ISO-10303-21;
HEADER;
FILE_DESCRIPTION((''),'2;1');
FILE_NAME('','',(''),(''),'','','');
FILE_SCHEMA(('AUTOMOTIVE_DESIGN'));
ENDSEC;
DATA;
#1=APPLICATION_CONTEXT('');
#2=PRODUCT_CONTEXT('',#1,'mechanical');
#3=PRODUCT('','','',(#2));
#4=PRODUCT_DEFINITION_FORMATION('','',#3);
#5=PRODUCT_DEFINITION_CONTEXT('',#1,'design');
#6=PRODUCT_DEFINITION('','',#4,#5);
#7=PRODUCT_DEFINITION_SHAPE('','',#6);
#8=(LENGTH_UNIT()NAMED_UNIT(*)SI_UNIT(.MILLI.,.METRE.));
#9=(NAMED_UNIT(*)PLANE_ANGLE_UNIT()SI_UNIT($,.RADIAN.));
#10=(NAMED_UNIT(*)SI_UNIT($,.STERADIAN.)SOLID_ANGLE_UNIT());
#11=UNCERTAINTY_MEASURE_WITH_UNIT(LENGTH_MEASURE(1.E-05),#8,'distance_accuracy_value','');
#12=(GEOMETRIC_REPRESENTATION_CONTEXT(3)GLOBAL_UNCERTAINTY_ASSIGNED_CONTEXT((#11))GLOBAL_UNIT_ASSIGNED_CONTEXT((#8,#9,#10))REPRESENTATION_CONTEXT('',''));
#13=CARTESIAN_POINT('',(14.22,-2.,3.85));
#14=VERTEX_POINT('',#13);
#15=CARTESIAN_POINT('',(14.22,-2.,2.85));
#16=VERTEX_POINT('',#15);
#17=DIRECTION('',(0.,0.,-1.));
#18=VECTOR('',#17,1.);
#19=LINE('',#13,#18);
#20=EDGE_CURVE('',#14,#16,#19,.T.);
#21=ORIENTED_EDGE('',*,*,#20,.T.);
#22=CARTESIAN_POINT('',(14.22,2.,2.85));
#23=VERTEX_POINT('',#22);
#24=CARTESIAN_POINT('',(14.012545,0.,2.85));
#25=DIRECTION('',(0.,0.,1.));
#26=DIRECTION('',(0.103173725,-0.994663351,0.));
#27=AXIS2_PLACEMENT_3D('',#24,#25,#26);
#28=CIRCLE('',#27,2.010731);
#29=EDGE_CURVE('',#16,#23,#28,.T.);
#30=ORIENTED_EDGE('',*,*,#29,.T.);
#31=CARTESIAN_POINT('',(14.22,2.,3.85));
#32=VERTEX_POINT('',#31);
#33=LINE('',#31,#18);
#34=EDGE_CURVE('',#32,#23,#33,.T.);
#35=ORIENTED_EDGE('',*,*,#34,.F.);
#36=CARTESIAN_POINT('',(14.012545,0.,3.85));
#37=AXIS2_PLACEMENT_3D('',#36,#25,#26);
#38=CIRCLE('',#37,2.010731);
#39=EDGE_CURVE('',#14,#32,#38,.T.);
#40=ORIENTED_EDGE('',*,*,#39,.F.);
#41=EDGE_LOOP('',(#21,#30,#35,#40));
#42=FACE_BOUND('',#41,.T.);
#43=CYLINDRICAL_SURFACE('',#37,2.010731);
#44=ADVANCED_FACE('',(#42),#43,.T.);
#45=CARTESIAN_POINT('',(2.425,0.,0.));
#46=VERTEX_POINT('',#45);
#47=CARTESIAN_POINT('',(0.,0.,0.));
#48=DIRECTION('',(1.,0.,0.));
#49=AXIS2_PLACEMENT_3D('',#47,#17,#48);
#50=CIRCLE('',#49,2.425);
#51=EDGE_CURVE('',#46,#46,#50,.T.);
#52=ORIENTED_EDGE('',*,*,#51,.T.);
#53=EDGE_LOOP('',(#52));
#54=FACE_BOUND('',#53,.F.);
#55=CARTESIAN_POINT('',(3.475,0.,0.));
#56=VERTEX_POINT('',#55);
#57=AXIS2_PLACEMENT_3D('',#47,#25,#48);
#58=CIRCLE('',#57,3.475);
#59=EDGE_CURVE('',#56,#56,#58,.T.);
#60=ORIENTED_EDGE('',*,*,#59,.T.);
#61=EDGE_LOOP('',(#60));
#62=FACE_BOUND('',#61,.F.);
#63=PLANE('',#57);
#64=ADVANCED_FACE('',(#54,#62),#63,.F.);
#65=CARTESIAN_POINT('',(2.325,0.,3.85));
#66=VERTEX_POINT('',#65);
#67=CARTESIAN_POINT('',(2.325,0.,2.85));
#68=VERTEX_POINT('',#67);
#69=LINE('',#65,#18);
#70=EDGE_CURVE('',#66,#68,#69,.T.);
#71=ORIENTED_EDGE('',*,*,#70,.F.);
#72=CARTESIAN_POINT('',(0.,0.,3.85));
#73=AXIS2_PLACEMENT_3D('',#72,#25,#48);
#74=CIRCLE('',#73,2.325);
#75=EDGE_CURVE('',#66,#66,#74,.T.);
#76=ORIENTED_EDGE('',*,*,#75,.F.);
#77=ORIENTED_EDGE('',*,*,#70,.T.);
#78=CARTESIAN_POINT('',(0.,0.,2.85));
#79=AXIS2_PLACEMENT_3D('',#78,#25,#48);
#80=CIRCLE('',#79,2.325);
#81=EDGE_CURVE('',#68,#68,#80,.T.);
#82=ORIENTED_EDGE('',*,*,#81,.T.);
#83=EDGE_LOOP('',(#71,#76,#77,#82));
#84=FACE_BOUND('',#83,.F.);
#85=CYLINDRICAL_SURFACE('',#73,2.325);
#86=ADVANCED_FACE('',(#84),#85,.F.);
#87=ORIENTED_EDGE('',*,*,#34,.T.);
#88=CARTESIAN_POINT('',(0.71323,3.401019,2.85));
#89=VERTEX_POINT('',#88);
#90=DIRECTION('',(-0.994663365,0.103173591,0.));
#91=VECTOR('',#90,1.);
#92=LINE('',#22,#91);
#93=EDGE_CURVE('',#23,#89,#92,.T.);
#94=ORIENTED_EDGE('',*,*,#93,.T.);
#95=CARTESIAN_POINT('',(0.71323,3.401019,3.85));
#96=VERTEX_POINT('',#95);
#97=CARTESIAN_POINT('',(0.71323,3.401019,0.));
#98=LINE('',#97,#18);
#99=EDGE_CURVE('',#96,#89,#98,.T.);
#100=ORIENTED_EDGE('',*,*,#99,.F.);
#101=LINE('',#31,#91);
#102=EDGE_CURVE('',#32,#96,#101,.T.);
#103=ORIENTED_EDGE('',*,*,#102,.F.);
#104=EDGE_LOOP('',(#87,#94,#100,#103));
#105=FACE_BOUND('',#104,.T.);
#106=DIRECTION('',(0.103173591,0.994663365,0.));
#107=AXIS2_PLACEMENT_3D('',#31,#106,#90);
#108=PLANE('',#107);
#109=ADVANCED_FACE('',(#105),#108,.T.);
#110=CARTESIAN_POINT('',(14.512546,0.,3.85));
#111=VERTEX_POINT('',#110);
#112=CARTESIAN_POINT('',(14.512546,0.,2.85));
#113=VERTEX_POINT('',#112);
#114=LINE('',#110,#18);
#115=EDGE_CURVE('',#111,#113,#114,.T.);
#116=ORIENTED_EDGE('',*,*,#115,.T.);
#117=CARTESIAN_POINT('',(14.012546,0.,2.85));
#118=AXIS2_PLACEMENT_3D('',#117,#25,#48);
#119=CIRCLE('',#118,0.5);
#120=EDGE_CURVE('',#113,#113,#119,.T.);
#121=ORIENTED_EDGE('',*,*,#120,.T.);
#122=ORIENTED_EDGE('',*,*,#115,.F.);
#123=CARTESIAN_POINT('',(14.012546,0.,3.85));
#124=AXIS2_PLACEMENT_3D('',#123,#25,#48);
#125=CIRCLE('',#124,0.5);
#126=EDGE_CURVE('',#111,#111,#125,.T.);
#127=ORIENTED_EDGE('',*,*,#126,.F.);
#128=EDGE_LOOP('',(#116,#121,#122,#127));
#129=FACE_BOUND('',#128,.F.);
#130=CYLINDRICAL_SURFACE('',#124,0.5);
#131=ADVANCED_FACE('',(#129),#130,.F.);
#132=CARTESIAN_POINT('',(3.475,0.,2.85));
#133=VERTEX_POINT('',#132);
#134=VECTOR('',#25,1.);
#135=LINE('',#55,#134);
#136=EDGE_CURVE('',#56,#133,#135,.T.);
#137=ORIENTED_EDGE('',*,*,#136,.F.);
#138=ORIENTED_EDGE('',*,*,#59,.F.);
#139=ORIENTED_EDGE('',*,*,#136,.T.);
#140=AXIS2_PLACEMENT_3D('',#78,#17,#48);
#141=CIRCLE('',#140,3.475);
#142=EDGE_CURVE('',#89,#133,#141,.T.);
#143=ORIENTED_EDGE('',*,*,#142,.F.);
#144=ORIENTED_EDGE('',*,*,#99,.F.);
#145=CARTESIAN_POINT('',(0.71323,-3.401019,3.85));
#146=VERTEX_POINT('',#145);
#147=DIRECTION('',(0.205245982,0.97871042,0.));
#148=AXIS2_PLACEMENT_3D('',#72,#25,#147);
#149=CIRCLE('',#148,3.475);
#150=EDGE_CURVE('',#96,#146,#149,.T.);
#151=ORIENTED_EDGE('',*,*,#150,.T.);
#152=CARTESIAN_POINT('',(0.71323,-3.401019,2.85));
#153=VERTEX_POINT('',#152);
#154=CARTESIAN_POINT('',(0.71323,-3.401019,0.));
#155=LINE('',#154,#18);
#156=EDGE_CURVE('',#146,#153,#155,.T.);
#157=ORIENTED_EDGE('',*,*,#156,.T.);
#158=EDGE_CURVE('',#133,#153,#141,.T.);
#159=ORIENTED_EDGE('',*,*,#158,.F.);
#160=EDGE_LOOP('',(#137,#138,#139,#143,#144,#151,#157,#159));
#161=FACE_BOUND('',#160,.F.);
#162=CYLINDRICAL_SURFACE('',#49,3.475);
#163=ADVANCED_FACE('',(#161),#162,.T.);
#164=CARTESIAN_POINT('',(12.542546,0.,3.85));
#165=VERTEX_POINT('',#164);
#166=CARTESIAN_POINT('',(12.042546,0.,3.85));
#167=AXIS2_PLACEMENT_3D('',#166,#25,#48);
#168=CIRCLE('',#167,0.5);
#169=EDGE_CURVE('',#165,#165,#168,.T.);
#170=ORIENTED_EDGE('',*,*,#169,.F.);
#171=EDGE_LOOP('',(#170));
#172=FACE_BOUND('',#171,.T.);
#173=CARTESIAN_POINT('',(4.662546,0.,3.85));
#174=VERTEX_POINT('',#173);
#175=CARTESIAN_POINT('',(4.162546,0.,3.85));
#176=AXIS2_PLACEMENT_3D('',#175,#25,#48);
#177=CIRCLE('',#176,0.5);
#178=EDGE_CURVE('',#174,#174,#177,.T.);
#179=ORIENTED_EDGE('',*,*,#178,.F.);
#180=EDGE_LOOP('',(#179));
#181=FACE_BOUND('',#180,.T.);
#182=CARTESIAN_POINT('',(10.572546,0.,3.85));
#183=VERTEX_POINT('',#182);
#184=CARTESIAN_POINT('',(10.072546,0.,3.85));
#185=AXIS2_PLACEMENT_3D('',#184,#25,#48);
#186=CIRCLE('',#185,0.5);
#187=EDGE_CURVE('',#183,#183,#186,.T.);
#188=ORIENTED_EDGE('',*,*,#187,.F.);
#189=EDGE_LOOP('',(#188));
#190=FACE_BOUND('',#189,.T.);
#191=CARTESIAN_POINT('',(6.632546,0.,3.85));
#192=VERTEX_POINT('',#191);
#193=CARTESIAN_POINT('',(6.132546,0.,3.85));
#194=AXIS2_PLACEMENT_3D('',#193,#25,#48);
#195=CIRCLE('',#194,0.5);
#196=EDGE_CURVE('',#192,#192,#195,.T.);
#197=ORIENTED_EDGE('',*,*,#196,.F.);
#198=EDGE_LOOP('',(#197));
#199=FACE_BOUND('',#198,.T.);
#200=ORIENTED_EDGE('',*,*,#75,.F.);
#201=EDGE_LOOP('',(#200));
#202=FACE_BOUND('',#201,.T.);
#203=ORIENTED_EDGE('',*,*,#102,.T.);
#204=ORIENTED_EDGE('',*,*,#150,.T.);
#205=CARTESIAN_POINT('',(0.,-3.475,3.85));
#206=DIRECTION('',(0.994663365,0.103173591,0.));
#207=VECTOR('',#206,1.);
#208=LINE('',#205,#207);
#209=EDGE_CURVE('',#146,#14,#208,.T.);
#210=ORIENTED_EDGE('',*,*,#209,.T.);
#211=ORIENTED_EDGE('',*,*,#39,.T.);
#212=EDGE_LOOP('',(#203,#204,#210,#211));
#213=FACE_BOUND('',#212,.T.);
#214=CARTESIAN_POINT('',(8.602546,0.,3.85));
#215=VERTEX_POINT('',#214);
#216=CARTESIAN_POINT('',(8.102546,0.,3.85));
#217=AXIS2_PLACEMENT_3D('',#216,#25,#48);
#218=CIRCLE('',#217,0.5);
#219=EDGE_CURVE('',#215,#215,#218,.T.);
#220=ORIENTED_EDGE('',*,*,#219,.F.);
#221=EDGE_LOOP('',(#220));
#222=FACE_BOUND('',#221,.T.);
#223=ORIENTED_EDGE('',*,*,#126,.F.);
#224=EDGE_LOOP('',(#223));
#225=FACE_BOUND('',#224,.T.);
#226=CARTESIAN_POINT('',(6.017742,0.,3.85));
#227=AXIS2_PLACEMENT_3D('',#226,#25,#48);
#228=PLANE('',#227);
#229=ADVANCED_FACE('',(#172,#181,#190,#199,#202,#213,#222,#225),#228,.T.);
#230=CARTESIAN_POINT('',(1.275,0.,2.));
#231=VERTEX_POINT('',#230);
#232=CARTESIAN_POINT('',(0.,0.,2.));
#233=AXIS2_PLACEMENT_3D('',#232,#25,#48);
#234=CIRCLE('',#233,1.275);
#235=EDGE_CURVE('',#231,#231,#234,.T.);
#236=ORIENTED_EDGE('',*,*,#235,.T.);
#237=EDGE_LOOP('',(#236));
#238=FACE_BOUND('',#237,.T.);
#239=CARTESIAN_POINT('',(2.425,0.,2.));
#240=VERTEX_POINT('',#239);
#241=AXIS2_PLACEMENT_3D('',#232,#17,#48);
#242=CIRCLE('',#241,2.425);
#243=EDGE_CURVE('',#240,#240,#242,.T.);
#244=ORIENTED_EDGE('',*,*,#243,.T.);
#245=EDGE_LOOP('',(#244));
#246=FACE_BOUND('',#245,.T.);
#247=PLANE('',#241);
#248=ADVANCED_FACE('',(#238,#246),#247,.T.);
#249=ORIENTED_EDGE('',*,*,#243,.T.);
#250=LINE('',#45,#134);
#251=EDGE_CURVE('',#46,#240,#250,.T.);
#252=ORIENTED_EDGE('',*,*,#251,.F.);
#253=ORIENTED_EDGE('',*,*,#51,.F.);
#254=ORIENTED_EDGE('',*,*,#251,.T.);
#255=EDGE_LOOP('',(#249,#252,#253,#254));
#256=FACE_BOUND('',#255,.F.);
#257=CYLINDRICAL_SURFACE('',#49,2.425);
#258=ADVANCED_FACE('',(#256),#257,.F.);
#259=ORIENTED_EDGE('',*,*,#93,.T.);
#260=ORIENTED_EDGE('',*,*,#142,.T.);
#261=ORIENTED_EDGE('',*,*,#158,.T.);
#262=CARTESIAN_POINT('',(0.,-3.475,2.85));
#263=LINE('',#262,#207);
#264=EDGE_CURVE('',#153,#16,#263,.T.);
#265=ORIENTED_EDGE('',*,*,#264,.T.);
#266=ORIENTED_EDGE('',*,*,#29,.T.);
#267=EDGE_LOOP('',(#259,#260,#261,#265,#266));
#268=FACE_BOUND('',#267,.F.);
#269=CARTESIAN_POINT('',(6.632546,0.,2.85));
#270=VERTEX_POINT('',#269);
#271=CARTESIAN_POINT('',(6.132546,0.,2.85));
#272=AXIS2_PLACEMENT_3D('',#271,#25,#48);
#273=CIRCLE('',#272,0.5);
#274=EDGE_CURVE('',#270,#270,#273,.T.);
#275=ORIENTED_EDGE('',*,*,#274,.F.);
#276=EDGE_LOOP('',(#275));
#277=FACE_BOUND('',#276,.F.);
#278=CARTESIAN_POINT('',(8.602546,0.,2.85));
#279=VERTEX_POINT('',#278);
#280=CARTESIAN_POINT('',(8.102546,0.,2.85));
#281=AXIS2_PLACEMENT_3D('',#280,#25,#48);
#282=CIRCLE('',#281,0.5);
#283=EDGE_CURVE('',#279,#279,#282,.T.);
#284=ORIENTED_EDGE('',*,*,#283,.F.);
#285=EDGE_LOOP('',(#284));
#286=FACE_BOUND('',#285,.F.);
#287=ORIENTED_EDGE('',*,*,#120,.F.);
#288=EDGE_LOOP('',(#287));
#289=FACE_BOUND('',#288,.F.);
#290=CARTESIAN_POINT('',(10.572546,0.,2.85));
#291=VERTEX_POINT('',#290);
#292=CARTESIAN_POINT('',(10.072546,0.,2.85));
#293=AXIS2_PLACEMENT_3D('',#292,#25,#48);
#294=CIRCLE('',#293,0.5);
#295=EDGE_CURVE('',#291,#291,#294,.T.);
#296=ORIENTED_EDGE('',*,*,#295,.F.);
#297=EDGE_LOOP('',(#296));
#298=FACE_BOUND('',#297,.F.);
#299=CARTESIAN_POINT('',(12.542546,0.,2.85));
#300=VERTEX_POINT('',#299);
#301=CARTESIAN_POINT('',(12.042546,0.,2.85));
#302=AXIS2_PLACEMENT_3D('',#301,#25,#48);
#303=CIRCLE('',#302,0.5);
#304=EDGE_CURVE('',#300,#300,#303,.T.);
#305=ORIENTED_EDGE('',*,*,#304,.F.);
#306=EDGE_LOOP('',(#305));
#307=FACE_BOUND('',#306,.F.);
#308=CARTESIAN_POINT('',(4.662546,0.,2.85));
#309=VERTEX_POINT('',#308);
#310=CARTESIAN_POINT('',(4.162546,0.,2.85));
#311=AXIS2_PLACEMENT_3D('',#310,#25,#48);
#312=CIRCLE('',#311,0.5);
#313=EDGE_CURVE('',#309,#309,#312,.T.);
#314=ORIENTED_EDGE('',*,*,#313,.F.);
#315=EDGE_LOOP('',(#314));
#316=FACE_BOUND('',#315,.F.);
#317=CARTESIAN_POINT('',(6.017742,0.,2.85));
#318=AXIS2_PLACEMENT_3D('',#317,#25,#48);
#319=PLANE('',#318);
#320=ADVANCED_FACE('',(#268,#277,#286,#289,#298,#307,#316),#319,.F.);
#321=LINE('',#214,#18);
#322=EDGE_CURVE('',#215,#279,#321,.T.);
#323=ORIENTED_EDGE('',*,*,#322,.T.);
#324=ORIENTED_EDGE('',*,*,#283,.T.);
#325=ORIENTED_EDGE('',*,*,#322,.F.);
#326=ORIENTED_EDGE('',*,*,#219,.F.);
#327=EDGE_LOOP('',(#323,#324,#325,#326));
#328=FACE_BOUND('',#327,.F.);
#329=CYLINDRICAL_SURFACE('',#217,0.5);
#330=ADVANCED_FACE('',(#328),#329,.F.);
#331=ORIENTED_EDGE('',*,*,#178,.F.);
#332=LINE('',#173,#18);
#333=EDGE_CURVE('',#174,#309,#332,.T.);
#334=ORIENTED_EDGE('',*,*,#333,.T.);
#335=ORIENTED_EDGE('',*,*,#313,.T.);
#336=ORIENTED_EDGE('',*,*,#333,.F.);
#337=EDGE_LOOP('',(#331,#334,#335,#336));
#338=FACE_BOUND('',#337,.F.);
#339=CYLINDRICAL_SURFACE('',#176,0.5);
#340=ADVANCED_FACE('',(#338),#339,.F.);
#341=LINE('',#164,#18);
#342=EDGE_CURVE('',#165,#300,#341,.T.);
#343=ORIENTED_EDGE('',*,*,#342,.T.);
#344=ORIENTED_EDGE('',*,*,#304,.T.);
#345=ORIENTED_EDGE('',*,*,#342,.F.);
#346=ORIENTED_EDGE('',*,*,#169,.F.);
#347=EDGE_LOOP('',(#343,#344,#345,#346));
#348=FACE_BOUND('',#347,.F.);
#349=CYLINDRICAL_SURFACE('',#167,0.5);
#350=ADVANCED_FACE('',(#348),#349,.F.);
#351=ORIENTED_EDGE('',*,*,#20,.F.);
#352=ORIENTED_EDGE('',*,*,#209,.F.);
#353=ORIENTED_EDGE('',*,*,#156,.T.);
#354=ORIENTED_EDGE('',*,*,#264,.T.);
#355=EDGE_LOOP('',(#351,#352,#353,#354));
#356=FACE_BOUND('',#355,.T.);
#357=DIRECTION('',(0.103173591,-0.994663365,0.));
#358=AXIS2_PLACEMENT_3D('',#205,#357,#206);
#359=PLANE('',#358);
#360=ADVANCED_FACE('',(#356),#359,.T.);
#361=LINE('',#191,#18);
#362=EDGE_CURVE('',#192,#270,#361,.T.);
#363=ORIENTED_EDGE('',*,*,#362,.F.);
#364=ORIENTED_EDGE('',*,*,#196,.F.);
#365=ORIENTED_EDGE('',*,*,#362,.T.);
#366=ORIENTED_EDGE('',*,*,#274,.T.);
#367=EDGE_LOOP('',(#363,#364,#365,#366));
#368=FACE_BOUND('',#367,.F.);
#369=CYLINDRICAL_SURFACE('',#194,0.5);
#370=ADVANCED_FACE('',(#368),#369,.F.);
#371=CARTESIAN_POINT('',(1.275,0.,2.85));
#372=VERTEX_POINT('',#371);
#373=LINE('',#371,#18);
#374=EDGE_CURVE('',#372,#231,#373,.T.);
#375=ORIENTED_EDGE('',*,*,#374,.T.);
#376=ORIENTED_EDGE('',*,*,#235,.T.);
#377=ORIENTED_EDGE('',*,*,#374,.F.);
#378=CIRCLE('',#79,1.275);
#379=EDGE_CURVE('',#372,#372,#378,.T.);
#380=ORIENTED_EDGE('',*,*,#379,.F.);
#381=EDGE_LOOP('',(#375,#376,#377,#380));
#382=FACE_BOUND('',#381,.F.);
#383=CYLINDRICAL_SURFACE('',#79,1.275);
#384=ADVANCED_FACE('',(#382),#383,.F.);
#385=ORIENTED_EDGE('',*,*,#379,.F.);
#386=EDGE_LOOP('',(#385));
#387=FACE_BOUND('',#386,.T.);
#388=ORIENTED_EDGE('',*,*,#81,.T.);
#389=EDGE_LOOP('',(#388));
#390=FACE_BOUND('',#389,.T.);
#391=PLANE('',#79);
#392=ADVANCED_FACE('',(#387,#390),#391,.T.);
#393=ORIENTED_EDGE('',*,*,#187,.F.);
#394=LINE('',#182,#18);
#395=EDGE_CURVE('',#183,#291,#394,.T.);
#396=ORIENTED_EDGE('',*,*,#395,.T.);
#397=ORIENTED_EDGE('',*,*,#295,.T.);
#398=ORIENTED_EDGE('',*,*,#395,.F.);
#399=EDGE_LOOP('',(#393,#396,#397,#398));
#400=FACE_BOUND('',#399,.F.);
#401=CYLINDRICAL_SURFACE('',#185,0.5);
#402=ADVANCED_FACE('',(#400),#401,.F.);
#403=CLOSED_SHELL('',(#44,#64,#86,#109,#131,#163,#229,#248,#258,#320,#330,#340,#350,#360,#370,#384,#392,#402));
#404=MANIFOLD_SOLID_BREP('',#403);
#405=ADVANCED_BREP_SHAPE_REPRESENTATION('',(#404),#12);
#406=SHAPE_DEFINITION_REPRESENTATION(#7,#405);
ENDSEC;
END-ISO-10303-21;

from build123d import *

# Parameters (mm, degrees)
F0_R      = 3.475
F1_DEPTH  = 3.85
F2_R      = 2.425
F3_DEPTH  = 2
F5_DEPTH  = 1
F6_R      = 2.325
F7_DEPTH  = 1
F8_R      = 1.275
F9_DEPTH  = 2.851
F10_R     = 0.5
F11_DEPTH = 3.851


with BuildPart() as f1:
    # F0 (on Top) → F1 (new body)
    with BuildSketch(Plane.XY):
        Circle(F0_R)
    extrude(amount=F1_DEPTH)

    # F2 (on face) → F3 (cut)
    with BuildSketch(Plane(origin=(0, 0, 0), x_dir=(1, 0, 0), z_dir=(0, 0, -1))):
        Circle(F2_R)
    extrude(amount=-F3_DEPTH, mode=Mode.SUBTRACT)

    # F4 (on face) → F5 (join)
    with BuildSketch(Plane.XY.offset(3.85)):
        with BuildLine():
            Line((14.22, 2), (0, 3.475))
            ThreePointArc((0, 3.475), (-3.475, 0), (0, -3.475))
            Line((0, -3.475), (14.22, -2))
            ThreePointArc((14.22, -2), (16.023276, 0), (14.22, 2))
        make_face()
    extrude(amount=-F5_DEPTH)

    # F6 (on face) → F7 (cut)
    with BuildSketch(Plane.XY.offset(3.85)):
        Circle(F6_R)
    extrude(amount=-F7_DEPTH, mode=Mode.SUBTRACT)

    # F8 (on face) → F9 (cut, through all)
    with BuildSketch(Plane.XY.offset(2.85)):
        Circle(F8_R)
    extrude(amount=-F9_DEPTH, mode=Mode.SUBTRACT)

    # F10 (on face) → F11 (cut, through all)
    with BuildSketch(Plane.XY.offset(3.85)):
        with Locations((14.012546, 0)):
            Circle(F10_R)
        with Locations((12.042546, 0)):
            Circle(F10_R)
        with Locations((10.072546, 0)):
            Circle(F10_R)
        with Locations((8.102546, 0)):
            Circle(F10_R)
        with Locations((6.132546, 0)):
            Circle(F10_R)
        with Locations((4.162546, 0)):
            Circle(F10_R)
    extrude(amount=-F11_DEPTH, mode=Mode.SUBTRACT)


solid = f1.part
